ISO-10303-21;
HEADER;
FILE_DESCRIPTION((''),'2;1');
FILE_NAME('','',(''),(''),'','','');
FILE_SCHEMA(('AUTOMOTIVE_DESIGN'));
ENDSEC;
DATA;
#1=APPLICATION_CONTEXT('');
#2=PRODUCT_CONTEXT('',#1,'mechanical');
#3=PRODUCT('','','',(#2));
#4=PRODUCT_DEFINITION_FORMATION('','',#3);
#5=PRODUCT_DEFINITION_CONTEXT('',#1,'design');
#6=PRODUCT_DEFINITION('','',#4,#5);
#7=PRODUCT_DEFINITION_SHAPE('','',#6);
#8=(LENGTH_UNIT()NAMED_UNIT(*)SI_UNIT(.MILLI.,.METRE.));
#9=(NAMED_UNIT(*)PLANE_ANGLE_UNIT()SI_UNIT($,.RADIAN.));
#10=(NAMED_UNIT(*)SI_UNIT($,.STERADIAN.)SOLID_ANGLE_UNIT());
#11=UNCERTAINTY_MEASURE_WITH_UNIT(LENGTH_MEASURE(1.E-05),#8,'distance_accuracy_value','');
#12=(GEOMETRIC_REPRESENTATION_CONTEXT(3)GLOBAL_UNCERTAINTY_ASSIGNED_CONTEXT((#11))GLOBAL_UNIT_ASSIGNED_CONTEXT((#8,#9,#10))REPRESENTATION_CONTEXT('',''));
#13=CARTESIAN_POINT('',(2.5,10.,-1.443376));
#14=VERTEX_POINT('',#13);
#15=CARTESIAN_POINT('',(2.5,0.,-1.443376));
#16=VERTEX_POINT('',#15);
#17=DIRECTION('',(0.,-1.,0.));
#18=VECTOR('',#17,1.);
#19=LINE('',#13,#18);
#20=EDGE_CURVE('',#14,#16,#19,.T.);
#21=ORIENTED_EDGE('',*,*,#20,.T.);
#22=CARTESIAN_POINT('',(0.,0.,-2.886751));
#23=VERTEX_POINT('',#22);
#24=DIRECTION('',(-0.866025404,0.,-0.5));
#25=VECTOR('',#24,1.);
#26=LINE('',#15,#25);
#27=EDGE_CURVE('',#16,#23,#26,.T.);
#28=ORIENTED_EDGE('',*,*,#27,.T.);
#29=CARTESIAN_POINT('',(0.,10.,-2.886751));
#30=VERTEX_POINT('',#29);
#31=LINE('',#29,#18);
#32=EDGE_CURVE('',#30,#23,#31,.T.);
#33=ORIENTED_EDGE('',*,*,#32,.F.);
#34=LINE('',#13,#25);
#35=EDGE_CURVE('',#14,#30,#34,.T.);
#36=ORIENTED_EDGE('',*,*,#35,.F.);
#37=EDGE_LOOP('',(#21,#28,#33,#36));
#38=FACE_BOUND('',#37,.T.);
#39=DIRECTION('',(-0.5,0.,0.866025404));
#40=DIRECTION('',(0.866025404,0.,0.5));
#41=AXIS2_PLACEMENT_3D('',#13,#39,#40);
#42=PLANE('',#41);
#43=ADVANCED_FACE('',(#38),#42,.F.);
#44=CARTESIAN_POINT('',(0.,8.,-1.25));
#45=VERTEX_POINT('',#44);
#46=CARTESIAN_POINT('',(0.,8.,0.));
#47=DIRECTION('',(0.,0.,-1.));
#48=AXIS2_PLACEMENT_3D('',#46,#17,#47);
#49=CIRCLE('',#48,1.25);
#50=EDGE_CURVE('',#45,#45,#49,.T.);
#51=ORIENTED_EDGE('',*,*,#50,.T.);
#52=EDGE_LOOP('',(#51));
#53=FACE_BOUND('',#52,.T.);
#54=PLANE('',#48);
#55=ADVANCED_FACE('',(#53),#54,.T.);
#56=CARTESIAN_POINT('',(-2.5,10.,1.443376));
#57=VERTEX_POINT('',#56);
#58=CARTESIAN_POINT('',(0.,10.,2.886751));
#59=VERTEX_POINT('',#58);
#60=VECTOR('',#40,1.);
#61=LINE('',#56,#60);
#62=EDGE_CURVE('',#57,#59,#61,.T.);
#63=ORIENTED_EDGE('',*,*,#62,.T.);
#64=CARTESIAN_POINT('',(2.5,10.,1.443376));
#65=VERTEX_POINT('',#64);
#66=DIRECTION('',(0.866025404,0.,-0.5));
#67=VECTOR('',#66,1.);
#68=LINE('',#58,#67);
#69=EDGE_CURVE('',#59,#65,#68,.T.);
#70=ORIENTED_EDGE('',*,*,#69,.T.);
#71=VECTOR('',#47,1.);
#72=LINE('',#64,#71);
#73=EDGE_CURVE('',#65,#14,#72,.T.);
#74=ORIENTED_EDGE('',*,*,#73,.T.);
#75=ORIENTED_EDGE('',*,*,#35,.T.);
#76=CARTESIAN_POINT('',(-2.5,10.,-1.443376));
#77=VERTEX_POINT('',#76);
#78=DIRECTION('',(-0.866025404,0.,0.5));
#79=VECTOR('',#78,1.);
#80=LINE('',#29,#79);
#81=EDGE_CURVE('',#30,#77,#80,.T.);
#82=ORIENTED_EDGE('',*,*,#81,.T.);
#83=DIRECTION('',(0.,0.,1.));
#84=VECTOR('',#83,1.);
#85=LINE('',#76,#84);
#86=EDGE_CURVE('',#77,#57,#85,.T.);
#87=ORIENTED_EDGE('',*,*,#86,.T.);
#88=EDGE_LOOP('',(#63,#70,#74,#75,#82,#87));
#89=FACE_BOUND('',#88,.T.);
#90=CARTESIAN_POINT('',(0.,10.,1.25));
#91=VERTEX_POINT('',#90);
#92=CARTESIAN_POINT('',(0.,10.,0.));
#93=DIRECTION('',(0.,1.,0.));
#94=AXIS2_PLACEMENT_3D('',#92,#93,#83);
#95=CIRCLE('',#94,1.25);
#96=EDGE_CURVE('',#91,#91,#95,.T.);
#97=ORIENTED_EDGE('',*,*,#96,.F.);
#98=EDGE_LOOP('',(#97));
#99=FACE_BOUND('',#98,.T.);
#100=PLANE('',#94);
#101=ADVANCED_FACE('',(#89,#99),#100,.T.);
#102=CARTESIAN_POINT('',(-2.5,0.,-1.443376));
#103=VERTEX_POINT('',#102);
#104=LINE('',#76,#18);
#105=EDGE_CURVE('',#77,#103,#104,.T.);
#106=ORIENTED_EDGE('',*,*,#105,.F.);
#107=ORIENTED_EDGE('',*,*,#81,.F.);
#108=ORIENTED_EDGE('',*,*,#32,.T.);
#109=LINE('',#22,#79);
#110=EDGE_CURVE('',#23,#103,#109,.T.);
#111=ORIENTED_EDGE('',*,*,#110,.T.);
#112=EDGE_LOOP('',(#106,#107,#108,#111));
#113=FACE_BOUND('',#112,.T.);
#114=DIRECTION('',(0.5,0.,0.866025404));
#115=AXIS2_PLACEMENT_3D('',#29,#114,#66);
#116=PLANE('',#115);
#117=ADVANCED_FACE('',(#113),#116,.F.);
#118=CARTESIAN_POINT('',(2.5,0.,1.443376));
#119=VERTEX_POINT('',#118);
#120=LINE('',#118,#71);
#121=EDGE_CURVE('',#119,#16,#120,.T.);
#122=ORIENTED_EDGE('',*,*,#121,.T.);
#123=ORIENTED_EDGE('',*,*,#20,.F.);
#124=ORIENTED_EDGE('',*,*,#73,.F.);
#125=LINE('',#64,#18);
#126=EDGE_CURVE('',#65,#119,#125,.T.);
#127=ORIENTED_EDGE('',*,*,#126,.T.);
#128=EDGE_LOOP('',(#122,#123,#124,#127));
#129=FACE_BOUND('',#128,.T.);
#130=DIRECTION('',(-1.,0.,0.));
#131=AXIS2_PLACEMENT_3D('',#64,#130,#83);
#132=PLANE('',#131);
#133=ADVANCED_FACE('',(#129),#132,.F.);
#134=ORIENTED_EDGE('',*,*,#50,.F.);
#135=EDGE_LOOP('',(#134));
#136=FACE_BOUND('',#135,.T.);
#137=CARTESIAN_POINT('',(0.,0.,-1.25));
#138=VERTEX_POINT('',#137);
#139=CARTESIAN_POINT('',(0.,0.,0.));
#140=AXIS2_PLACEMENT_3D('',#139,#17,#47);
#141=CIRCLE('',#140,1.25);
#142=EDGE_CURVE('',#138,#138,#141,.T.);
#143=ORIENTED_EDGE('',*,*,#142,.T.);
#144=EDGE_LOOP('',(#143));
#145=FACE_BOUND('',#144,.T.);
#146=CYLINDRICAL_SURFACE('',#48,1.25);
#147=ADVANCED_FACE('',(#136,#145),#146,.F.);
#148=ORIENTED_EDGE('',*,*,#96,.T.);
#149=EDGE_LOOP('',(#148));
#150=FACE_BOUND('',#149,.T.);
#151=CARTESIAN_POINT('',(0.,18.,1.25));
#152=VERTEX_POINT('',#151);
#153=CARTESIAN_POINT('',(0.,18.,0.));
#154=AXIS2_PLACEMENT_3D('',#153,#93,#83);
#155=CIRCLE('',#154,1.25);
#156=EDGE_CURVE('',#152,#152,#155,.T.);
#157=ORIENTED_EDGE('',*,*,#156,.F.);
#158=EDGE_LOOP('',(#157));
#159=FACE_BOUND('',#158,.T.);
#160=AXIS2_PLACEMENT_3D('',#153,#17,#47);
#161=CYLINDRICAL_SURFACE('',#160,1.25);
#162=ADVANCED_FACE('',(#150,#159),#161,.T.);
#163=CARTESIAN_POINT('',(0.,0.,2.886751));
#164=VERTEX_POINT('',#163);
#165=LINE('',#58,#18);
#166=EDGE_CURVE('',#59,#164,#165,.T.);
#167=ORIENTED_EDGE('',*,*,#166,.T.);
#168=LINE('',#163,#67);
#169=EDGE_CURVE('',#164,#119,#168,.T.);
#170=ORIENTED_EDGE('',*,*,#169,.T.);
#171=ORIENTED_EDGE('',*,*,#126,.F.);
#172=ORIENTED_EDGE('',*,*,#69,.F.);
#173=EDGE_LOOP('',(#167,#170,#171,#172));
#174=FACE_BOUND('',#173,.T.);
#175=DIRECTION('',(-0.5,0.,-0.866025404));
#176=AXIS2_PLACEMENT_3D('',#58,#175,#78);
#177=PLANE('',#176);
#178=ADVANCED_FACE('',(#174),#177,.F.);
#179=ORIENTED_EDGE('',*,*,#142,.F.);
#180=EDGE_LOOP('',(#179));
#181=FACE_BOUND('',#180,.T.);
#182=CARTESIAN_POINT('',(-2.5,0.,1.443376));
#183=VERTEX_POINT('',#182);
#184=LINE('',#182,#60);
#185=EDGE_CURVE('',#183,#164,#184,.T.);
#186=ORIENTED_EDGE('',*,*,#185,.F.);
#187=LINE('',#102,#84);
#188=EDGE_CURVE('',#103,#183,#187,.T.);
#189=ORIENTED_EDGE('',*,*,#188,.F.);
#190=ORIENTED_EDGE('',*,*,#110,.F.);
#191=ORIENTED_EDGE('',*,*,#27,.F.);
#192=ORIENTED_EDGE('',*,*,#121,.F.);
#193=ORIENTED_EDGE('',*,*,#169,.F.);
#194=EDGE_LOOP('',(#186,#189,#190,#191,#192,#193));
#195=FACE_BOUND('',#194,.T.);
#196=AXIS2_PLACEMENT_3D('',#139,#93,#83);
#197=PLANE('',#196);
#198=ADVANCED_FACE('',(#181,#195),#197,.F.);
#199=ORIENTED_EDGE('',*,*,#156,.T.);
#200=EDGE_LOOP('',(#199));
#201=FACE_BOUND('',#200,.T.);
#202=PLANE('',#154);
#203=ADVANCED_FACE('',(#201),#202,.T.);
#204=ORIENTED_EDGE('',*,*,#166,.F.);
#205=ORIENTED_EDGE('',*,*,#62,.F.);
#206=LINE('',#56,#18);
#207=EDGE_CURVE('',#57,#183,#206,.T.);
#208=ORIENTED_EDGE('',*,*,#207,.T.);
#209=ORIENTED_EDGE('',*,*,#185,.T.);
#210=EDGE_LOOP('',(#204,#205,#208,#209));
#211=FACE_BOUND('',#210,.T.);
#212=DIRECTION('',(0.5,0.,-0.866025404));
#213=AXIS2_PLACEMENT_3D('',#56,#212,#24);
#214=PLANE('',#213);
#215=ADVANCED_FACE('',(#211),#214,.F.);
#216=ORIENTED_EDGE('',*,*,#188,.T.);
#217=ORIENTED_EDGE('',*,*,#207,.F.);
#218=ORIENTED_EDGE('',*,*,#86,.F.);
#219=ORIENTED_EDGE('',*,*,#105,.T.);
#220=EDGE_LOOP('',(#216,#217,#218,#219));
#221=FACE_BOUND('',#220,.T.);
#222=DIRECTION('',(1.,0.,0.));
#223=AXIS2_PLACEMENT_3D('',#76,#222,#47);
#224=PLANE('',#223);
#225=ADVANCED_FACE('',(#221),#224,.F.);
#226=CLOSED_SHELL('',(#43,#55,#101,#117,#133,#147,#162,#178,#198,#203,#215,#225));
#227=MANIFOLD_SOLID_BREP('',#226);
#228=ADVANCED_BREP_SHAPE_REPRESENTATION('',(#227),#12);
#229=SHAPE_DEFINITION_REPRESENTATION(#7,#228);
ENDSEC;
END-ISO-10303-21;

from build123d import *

# Parameters (mm, degrees)
BOSS_EXTRUDE1_DEPTH = 10
SKETCH2_R           = 1.25
BOSS_EXTRUDE2_DEPTH = 8
SKETCH3_R           = 1.25
CUT_EXTRUDE1_DEPTH  = 8


with BuildPart() as part:
    # Sketch1 → Boss-Extrude1 (new body)
    with BuildSketch(Plane(origin=(0, 0, 0), x_dir=(1, 0, 0), z_dir=(0, 1, 0))):
        Polygon((0, 2.886751346), (-2.5, 1.443375673), (-2.5, -1.443375673), (0, -2.886751346), (2.5, -1.443375673), (2.5, 1.443375673), align=None)
    extrude(amount=BOSS_EXTRUDE1_DEPTH)

    # Sketch2 → Boss-Extrude2 (add)
    with BuildSketch(Plane(origin=(0, 10, 0), x_dir=(1, 0, 0), z_dir=(0, 1, 0))):
        Circle(SKETCH2_R)
    extrude(amount=BOSS_EXTRUDE2_DEPTH)

    # Sketch3 → Cut-Extrude1 (cut)
    with BuildSketch(Plane(origin=(0, 0, 0), x_dir=(-1, 0, 0), z_dir=(0, -1, 0))):
        Circle(SKETCH3_R)
    extrude(amount=-CUT_EXTRUDE1_DEPTH, mode=Mode.SUBTRACT)


solid = part.part
